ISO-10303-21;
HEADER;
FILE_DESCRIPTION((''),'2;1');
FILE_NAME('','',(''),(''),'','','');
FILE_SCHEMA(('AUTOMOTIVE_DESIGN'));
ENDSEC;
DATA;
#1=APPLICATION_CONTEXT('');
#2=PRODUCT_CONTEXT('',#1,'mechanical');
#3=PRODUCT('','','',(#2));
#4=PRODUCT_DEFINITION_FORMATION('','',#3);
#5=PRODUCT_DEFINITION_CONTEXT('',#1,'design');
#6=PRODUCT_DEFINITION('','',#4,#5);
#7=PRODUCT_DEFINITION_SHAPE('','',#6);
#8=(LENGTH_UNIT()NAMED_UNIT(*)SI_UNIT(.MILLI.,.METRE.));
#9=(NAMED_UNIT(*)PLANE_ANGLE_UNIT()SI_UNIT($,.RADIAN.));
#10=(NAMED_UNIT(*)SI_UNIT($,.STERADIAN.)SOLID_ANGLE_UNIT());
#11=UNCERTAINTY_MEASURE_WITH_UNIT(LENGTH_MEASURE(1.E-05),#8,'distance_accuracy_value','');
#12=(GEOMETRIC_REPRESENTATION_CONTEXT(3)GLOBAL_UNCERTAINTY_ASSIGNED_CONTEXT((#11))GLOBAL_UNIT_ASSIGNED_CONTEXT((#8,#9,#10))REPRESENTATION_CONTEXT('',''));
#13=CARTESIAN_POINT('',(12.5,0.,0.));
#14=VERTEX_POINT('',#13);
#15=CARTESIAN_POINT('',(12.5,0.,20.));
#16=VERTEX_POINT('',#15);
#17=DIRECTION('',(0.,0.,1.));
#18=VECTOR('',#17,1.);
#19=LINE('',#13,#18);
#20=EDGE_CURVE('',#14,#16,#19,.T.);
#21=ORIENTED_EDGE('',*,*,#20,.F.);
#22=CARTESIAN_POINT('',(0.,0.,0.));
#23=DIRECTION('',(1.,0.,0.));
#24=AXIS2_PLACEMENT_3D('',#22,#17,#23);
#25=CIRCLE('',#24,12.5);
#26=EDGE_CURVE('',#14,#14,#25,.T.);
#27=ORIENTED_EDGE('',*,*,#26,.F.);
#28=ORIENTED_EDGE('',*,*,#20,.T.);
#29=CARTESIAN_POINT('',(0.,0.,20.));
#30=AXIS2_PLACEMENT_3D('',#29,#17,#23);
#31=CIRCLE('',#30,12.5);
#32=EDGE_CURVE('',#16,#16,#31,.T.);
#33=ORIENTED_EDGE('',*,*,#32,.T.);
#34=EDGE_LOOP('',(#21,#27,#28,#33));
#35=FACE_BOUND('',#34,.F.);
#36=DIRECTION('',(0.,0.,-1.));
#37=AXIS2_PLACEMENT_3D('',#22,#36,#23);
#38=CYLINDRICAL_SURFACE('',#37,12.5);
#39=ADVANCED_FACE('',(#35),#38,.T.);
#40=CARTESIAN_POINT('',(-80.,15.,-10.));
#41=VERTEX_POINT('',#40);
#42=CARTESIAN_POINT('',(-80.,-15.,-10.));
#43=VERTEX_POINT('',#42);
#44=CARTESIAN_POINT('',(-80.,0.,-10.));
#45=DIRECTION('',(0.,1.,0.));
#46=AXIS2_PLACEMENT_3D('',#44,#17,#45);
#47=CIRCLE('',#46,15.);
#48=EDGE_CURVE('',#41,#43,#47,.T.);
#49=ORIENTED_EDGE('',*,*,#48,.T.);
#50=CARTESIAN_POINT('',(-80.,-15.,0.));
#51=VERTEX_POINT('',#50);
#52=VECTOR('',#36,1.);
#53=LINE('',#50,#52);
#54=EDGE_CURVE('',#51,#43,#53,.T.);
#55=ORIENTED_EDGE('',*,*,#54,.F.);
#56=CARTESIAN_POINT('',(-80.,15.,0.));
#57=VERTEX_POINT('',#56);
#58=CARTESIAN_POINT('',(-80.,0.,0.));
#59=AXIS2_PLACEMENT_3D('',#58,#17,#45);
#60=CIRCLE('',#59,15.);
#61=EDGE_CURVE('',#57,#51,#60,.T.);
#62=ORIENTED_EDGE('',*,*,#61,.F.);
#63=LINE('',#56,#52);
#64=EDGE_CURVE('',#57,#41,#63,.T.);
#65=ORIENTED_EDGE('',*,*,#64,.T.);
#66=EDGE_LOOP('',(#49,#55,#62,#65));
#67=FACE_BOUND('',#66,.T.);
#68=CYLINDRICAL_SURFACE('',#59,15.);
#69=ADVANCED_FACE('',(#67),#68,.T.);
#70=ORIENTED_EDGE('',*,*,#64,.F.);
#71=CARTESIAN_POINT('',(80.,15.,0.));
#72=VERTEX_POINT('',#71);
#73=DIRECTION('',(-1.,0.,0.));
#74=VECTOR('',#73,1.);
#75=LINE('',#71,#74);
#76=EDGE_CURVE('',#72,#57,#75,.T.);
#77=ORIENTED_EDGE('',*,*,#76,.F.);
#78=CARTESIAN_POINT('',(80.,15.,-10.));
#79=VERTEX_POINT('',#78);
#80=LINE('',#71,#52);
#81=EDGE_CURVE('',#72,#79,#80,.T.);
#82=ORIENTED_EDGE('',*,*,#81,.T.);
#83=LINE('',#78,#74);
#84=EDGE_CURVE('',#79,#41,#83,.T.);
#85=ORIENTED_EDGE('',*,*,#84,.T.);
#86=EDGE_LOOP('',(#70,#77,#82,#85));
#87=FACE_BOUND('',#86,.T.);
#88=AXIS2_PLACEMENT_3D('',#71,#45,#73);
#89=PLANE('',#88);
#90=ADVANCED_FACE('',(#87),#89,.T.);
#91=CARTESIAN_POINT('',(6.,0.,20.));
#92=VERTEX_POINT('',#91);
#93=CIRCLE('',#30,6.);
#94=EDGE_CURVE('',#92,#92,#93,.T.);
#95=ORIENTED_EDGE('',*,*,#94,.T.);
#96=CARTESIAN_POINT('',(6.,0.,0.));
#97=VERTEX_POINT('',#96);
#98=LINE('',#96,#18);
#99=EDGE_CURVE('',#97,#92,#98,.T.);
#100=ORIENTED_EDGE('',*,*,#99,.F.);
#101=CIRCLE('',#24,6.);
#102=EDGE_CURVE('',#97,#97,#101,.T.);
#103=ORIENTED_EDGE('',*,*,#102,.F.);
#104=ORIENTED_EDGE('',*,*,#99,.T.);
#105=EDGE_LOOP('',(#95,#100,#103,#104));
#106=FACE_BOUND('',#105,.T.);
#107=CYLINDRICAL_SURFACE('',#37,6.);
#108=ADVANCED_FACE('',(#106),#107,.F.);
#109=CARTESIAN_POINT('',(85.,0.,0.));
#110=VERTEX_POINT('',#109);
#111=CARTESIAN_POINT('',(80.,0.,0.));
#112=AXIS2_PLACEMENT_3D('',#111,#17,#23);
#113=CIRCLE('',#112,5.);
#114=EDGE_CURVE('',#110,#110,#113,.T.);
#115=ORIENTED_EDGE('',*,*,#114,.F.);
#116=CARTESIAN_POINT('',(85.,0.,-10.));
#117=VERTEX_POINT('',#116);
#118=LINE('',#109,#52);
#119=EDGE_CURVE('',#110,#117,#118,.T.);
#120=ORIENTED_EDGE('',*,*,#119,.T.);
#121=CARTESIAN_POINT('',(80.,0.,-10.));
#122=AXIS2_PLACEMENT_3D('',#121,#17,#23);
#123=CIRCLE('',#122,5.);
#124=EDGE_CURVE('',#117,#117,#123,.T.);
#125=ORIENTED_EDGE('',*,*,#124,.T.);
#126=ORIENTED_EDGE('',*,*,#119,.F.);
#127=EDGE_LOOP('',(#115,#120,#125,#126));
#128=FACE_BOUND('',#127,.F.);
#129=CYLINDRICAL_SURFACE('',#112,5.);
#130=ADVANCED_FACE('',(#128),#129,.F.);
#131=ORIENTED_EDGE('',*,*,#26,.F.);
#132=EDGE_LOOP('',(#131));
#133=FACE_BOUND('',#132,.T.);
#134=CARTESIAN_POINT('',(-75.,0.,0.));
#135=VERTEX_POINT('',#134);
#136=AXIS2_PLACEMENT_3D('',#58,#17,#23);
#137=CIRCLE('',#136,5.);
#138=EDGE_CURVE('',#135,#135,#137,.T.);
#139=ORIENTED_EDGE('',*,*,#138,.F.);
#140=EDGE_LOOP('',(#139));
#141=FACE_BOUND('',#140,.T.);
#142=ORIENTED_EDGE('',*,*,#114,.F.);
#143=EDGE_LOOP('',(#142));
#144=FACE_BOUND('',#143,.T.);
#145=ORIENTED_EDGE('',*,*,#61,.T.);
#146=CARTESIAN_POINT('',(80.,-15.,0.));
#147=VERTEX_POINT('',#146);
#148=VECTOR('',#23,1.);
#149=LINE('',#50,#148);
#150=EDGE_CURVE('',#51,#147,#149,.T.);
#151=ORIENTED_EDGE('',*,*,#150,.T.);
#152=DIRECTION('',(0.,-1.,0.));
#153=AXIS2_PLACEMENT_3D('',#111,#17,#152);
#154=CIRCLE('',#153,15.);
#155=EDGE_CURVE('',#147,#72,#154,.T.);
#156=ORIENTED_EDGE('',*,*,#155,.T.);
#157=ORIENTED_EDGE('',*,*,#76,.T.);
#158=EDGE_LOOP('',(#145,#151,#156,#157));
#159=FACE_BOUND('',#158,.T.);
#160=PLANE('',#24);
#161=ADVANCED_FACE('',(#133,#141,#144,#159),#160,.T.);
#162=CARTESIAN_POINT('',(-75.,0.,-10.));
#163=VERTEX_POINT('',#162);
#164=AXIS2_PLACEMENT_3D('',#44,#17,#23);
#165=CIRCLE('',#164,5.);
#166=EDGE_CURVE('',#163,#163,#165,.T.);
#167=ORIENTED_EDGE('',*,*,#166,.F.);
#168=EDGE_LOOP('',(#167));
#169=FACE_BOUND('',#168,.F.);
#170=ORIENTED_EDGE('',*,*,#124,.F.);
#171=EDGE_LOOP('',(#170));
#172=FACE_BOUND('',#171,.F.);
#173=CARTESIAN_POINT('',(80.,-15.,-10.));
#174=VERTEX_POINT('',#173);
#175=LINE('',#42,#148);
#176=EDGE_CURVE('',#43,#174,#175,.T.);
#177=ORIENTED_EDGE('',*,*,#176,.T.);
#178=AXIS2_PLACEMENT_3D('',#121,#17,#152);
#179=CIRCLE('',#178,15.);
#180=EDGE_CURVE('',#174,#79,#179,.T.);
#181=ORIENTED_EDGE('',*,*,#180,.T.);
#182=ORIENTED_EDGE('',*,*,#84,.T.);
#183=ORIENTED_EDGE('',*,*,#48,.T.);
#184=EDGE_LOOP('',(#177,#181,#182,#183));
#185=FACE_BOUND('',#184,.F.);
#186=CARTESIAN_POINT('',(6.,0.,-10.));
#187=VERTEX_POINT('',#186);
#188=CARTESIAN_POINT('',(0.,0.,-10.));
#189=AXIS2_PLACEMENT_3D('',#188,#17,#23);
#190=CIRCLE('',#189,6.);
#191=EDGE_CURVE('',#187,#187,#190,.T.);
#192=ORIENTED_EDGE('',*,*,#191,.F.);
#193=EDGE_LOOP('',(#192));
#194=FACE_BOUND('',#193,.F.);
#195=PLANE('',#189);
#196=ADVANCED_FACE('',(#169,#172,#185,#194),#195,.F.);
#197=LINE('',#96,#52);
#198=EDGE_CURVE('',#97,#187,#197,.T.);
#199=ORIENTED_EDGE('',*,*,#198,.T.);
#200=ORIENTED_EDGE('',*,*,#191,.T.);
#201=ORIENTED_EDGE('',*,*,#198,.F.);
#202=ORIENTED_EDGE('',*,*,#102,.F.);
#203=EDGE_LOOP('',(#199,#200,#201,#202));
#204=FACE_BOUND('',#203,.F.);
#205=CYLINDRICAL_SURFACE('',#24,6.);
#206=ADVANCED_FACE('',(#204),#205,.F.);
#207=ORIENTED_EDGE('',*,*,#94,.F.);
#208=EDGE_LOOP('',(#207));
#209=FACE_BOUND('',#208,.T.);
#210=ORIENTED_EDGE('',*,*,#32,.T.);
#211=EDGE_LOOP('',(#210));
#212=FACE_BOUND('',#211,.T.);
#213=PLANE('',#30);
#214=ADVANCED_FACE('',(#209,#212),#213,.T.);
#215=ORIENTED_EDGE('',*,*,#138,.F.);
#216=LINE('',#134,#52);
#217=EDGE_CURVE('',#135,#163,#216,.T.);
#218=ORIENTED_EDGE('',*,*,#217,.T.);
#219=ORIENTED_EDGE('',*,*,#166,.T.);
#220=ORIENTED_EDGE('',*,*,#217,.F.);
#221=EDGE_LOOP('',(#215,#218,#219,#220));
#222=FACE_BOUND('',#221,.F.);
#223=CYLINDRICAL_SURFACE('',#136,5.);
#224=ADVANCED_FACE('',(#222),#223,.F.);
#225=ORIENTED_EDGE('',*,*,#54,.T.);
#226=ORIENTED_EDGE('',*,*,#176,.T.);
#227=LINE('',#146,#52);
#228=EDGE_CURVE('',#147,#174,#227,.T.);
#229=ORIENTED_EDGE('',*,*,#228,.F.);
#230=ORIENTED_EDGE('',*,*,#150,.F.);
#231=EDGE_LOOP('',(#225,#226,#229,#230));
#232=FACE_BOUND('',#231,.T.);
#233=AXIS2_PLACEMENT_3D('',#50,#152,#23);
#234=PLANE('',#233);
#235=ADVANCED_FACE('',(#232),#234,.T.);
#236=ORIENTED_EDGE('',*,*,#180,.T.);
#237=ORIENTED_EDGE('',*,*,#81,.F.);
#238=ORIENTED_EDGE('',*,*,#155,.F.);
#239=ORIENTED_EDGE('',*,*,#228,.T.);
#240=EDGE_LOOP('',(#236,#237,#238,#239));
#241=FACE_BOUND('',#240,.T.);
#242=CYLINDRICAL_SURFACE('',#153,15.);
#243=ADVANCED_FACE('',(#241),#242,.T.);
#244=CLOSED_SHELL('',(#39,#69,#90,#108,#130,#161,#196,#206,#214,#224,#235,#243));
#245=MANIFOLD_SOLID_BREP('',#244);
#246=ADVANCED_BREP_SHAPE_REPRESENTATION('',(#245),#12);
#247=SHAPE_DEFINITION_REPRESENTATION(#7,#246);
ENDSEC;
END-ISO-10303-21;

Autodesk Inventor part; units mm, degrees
ref_plane "YZ Plane" through (0, 0, 0) normal (1, 0, 0) x (0, 1, 0)
ref_plane "XZ Plane" through (0, 0, 0) normal (0, 1, 0) x (-1, 0, 0)
ref_plane "XY Plane" through (0, 0, 0) normal (0, 0, 1) x (1, 0, 0)
sketch "Эскиз1" plane through (0, 0, 0) normal (0, 0, 1) x (1, 0, 0)
  line L0 (80, 0) -> (-80, 0) construction
  line L1 (80, 15) -> (-80, 15)
  line L2 (-80, -15) -> (80, -15)
  arc A0 (80, -15) -> (80, 15) centre (80, 0) ccw
  arc A1 (-80, 15) -> (-80, -15) centre (-80, 0) ccw
  circle A2 centre (0, 0) radius 12.5
  circle A3 centre (0, 0) radius 6
  circle A4 centre (-80, 0) radius 5
  circle A5 centre (80, 0) radius 5
  dimension "d0" = 80
  dimension "d1" = 30
  dimension "d4" = 25
  dimension "d5" = 12
  dimension "d6" = 10
  dimension "d7" = 10
extrude "Выдавливание1" add sketch "Эскиз1" against normal blind 10 contours A0 L2 A1 L1 | A2 | A3 | A4 | A5
extrude "Выдавливание2" cut sketch "Эскиз1" against normal blind 10 contours A5
extrude "Выдавливание3" cut sketch "Эскиз1" against normal blind 10 contours A4
extrude "Выдавливание4" add sketch "Эскиз1" along normal blind 20 contours A2
extrude "Выдавливание5" cut sketch "Эскиз1" along normal mid plane 2850 contours A3
equation "\"Глубина_просечки\" = 0.5 * Толщина"
equation "\"Толщина\" = 10"
properties part number "крышка" material "Сталь"
